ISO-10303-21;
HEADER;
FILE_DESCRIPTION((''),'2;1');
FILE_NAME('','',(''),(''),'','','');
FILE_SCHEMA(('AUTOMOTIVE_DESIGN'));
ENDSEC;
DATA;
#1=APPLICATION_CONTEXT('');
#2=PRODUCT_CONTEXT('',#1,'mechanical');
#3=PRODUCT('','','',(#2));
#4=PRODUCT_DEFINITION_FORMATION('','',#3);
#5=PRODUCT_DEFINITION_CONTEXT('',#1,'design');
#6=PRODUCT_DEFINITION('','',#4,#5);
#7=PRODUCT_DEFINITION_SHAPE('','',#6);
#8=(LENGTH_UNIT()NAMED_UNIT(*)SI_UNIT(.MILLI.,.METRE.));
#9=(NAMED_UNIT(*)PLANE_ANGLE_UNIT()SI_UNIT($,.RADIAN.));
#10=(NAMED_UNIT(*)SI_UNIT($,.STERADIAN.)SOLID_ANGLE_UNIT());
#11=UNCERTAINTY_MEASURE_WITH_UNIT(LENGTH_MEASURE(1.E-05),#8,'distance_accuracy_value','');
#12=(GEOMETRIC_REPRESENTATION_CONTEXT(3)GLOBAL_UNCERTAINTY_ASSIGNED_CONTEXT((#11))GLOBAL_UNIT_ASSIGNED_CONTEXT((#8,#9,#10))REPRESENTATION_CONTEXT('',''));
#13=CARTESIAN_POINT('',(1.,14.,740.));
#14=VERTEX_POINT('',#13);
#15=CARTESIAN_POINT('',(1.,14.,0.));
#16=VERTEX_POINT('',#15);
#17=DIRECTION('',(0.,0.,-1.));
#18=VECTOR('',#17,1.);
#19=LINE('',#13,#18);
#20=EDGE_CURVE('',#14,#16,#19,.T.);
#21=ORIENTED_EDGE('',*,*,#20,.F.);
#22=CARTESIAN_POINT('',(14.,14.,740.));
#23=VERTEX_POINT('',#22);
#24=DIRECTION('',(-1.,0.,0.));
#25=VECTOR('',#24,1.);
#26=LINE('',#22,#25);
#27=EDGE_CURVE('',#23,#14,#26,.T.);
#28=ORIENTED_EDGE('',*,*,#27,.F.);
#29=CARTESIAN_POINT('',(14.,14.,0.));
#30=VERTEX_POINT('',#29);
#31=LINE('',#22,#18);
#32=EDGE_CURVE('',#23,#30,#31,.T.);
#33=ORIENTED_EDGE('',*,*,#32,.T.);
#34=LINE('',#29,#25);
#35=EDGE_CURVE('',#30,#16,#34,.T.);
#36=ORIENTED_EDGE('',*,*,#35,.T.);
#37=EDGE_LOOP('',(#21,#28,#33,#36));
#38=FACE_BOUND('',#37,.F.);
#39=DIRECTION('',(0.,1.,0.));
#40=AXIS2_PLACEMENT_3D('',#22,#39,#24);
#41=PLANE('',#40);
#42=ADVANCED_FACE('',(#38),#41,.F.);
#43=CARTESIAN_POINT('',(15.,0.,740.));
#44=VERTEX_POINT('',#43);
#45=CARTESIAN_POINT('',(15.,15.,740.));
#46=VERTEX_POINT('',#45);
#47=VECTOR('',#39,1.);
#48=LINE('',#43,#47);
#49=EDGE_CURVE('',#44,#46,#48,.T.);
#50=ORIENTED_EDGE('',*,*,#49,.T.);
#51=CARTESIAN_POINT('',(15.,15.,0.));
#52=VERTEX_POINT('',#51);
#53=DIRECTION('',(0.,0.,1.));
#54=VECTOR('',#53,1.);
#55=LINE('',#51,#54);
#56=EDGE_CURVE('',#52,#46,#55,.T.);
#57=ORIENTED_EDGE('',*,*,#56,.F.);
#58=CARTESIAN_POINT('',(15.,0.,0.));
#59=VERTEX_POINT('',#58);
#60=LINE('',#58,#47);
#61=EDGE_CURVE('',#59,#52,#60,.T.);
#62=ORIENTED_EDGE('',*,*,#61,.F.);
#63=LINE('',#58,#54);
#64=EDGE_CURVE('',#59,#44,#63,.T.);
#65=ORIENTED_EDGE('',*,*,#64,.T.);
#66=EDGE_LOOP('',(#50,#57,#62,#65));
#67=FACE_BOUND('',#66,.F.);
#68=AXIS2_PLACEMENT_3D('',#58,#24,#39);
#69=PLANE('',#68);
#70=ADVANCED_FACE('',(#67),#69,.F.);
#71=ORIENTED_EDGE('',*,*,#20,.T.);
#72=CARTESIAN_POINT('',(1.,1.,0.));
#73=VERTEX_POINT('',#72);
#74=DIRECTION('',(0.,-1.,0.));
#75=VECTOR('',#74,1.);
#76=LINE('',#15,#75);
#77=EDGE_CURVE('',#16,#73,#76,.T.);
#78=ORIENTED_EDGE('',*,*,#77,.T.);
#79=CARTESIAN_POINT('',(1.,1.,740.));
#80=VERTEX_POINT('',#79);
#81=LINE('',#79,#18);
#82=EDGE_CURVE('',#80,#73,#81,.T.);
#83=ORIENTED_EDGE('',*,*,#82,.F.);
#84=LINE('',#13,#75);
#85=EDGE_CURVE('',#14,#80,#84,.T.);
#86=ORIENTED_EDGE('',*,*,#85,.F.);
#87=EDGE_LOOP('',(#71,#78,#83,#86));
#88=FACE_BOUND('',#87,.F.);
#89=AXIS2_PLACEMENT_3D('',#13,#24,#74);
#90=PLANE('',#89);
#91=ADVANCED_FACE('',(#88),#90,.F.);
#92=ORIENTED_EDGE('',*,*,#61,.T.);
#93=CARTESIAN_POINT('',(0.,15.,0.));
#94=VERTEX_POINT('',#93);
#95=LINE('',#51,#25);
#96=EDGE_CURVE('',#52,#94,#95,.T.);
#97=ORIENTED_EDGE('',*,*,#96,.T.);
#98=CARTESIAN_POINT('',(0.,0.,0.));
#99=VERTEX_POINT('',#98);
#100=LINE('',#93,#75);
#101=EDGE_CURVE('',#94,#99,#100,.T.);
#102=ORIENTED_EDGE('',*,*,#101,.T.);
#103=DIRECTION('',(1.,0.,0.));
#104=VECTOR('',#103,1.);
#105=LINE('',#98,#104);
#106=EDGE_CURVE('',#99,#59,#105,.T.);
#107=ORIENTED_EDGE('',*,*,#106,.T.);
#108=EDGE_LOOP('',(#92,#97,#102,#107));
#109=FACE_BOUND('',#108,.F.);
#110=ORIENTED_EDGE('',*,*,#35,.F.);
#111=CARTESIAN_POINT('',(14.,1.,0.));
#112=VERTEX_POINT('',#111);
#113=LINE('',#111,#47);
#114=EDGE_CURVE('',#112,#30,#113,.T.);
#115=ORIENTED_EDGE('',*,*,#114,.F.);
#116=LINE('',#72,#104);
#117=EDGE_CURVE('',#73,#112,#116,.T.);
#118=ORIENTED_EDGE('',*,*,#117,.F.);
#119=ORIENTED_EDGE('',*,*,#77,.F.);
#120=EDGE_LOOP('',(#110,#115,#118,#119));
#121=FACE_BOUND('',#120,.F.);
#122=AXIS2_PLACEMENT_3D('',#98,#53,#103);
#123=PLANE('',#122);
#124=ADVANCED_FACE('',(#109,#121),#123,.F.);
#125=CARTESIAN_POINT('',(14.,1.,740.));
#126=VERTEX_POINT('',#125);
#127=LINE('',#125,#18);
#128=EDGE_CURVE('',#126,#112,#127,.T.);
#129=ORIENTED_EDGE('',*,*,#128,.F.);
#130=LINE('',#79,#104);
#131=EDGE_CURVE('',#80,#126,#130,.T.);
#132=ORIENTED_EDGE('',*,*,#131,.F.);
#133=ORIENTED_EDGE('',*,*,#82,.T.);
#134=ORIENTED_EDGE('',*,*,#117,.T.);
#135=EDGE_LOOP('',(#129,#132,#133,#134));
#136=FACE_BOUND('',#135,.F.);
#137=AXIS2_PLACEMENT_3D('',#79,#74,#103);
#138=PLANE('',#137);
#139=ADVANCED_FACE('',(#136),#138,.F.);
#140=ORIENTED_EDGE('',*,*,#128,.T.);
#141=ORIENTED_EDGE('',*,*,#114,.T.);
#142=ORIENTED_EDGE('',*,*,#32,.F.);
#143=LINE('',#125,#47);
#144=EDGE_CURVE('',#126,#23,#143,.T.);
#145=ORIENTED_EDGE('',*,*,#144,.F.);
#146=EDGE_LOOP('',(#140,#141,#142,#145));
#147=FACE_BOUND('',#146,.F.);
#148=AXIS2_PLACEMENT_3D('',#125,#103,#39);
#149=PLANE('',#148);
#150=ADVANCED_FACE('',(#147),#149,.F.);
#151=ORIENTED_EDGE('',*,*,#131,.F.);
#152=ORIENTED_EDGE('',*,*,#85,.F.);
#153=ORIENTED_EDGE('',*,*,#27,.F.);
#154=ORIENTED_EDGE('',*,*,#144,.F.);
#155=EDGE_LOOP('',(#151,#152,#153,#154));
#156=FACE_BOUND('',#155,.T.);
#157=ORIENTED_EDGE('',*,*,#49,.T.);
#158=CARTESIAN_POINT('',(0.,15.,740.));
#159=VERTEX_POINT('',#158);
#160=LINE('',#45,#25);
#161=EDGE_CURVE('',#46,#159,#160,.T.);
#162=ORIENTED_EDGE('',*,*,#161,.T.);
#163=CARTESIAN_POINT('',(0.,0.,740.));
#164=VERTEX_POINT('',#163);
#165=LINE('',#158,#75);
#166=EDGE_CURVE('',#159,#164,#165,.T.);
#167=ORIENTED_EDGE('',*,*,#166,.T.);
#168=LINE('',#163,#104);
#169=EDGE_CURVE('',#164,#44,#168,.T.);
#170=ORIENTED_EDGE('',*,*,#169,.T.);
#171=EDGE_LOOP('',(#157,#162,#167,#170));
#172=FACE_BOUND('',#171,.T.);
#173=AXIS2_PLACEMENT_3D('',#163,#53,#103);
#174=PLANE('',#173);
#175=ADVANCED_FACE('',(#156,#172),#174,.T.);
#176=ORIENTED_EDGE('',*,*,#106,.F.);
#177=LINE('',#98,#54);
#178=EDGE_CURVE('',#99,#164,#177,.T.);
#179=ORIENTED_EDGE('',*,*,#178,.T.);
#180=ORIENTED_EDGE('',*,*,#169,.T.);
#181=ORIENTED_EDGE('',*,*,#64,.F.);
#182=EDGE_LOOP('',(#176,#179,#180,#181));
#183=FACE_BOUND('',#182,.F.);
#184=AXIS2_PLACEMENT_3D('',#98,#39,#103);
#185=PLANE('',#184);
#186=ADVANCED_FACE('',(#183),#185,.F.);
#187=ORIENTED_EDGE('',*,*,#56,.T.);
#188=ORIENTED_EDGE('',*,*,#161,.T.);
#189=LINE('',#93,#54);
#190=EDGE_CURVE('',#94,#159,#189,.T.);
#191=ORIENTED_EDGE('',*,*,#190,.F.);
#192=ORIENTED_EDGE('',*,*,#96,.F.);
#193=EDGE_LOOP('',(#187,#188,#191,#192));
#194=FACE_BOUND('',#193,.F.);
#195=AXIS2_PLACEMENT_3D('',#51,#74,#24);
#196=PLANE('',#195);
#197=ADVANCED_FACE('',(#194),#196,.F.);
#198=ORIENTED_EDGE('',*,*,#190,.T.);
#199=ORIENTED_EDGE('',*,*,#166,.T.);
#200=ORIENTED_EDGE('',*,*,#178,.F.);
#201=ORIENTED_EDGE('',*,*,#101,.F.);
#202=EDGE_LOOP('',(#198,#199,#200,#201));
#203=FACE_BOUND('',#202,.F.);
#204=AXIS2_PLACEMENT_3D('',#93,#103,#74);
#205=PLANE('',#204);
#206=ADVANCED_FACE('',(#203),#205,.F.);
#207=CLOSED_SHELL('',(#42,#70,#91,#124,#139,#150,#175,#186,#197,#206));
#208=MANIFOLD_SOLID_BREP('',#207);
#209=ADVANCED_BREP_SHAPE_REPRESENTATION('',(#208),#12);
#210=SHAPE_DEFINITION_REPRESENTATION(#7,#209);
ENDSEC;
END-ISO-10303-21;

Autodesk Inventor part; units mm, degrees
ref_plane "YZ Plane" through (0, 0, 0) normal (1, 0, 0) x (0, 1, 0)
ref_plane "XZ Plane" through (0, 0, 0) normal (0, 1, 0) x (-1, 0, 0)
ref_plane "XY Plane" through (0, 0, 0) normal (0, 0, 1) x (1, 0, 0)
sketch "スケッチ1" plane through (0, 0, 0) normal (0, 0, 1) x (1, 0, 0)
  line L0 (0, 0) -> (15, 0)
  line L1 (15, 0) -> (15, 15)
  line L2 (15, 15) -> (0, 15)
  line L3 (0, 15) -> (0, 0)
  dimension "d0" = 15
  dimension "d1" = 15
extrude "押し出し1" add sketch "スケッチ1" along normal blind 740
sketch "スケッチ2" plane through (0, 0, 0) normal (0, 0, -1) x (-1, 0, 0)
  point P0 (0, 0)
sketch "スケッチ3" plane through (0, 0, 740) normal (0, 0, 1) x (1, 0, 0)
  line L0 (1, 1) -> (14, 1)
  line L1 (14, 1) -> (14, 14)
  line L2 (14, 14) -> (1, 14)
  line L3 (1, 14) -> (1, 1)
  line L4 (0, 15) -> (0, 0) projected
  line L5 (0, 0) -> (15, 0) projected
  dimension "d4" = 13
  dimension "d5" = 13
  dimension "d6" = 1
  dimension "d7" = 1
extrude "押し出し2" cut sketch "スケッチ3" against normal blind 740
equation "\"BendRadius\" = Thickness"
equation "\"BendReliefWidth\" = Thickness"
equation "\"BendReliefDepth\" = 0.5 * Thickness"
equation "\"CornerReliefSize\" = 4 * Thickness"
equation "\"MinimumRemnant\" = 2 * Thickness"
equation "\"TransitionRadius\" = BendRadius"
equation "\"JacobiRadiusSize\" = BendRadius"
equation "\"GapSize\" = Thickness"
equation "\"Thickness\" = 0.5"
properties part number "足3"
